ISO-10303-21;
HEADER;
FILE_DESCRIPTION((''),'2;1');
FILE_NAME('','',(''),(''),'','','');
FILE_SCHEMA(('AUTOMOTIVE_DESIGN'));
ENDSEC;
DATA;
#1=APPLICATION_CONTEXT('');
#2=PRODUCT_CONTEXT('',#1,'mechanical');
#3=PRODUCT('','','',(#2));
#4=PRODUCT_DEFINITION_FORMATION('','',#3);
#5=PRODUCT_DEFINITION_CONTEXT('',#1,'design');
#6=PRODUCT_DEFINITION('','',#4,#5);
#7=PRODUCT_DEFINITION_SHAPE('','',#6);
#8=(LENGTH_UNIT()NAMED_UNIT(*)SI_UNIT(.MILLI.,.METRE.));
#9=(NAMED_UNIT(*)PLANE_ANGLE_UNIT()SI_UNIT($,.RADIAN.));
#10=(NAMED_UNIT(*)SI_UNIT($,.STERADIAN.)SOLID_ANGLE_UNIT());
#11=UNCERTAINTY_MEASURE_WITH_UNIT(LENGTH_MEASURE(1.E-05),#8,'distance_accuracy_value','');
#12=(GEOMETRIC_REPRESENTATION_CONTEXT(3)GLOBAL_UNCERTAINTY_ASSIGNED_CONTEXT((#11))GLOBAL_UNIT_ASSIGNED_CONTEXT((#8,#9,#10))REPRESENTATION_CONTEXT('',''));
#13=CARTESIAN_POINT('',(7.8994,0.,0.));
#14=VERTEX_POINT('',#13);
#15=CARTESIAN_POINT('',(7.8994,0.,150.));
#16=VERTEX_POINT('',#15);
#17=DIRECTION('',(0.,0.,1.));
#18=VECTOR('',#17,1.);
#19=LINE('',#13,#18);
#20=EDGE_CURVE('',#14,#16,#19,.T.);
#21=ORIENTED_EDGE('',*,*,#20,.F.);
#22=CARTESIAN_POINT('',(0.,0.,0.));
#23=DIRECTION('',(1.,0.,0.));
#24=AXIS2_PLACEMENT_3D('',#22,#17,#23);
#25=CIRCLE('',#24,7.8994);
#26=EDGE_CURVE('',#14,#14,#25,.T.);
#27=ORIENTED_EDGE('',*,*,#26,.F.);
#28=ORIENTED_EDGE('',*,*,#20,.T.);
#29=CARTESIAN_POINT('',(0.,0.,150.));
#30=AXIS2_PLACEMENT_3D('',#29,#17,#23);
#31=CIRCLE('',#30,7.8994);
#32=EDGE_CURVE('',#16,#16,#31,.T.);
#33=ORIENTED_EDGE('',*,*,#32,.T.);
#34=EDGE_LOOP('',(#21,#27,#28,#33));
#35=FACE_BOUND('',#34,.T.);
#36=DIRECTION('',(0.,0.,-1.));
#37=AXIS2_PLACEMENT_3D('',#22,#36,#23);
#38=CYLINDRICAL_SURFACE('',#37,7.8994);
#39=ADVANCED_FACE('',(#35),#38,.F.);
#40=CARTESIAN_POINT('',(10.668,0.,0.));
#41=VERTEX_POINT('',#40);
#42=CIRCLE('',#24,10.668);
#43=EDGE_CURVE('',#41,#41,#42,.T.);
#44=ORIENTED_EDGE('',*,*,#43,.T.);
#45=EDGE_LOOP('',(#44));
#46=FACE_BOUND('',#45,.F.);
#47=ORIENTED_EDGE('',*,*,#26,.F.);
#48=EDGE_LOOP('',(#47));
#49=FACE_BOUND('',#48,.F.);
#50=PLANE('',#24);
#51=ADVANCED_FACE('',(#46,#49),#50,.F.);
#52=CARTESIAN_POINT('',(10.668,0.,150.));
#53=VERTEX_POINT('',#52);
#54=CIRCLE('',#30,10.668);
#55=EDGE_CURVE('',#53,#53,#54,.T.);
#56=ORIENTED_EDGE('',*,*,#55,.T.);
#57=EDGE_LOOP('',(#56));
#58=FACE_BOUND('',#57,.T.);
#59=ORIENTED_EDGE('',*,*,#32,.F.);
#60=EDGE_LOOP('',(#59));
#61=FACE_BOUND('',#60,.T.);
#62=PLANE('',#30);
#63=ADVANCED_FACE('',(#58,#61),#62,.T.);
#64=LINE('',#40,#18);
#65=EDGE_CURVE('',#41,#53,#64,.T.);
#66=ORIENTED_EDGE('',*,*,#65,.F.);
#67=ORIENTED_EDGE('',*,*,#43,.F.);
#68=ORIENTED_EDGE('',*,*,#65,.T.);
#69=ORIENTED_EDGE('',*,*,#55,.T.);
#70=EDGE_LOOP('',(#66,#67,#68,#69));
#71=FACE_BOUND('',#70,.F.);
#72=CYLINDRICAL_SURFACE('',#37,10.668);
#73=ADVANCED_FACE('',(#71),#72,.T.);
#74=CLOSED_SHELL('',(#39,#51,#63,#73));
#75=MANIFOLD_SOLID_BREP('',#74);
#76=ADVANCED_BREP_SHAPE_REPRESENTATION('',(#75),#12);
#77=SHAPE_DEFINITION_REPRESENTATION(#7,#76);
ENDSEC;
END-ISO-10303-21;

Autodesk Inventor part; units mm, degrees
ref_plane "YZ Plane" through (0, 0, 0) normal (1, 0, 0) x (0, 1, 0)
ref_plane "Start Plane" through (0, 0, 0) normal (0, 0, 1) x (1, 0, 0)
ref_plane "End Plane" through (0, 0, 150) normal (0, 0, 1) x (1, 0, 0)
sketch "Sketch" plane through (0, 0, 0) normal (0, 0, 1) x (1, 0, 0)
  circle A0 centre (0, 0) radius 7.8994
  circle A1 centre (0, 0) radius 10.668
  dimension "d0" = 21.336
  dimension "d1" = 2.7686
extrude "Body" add sketch "Sketch" along normal up to surface (150 mm away) from surface at 0
sketch "Sketch3" plane through (0, 0, 0) normal (0, 0, 1) x (1, 0, 0)
  line L0 (0, 0) -> (10, 0)
ref_plane "Work Plane3" through (0, 0, 0) normal (0, -1, 0) x (1, 0, 0)
sketch "Sketch4" plane through (0, 0, 0) normal (0, -1, 0) x (1, 0, 0)
  line L0 (-2, 0) -> (12, 0) projected
  line L1 (-2, 150) -> (12, 150) projected
  dimension "d7" = 150
equation "\"d0\" = G_H"
equation "\"d1\" = G_T"
equation "\"d2\" = G_L"
equation "\"G_H\" = 21.336"
equation "\"G_T\" = 2.7686"
equation "\"G_L\" = d7"
equation "\"G_OFFSET_START\" = 0"
equation "\"G_OFFSET_END\" = 0"
equation "\"d5\" = G_OFFSET_END + B_L"
equation "\"B_L\" = 150"
properties part number "ANSI - 1/2 x 0.109 - 5.906" material "Steel, Mild"
